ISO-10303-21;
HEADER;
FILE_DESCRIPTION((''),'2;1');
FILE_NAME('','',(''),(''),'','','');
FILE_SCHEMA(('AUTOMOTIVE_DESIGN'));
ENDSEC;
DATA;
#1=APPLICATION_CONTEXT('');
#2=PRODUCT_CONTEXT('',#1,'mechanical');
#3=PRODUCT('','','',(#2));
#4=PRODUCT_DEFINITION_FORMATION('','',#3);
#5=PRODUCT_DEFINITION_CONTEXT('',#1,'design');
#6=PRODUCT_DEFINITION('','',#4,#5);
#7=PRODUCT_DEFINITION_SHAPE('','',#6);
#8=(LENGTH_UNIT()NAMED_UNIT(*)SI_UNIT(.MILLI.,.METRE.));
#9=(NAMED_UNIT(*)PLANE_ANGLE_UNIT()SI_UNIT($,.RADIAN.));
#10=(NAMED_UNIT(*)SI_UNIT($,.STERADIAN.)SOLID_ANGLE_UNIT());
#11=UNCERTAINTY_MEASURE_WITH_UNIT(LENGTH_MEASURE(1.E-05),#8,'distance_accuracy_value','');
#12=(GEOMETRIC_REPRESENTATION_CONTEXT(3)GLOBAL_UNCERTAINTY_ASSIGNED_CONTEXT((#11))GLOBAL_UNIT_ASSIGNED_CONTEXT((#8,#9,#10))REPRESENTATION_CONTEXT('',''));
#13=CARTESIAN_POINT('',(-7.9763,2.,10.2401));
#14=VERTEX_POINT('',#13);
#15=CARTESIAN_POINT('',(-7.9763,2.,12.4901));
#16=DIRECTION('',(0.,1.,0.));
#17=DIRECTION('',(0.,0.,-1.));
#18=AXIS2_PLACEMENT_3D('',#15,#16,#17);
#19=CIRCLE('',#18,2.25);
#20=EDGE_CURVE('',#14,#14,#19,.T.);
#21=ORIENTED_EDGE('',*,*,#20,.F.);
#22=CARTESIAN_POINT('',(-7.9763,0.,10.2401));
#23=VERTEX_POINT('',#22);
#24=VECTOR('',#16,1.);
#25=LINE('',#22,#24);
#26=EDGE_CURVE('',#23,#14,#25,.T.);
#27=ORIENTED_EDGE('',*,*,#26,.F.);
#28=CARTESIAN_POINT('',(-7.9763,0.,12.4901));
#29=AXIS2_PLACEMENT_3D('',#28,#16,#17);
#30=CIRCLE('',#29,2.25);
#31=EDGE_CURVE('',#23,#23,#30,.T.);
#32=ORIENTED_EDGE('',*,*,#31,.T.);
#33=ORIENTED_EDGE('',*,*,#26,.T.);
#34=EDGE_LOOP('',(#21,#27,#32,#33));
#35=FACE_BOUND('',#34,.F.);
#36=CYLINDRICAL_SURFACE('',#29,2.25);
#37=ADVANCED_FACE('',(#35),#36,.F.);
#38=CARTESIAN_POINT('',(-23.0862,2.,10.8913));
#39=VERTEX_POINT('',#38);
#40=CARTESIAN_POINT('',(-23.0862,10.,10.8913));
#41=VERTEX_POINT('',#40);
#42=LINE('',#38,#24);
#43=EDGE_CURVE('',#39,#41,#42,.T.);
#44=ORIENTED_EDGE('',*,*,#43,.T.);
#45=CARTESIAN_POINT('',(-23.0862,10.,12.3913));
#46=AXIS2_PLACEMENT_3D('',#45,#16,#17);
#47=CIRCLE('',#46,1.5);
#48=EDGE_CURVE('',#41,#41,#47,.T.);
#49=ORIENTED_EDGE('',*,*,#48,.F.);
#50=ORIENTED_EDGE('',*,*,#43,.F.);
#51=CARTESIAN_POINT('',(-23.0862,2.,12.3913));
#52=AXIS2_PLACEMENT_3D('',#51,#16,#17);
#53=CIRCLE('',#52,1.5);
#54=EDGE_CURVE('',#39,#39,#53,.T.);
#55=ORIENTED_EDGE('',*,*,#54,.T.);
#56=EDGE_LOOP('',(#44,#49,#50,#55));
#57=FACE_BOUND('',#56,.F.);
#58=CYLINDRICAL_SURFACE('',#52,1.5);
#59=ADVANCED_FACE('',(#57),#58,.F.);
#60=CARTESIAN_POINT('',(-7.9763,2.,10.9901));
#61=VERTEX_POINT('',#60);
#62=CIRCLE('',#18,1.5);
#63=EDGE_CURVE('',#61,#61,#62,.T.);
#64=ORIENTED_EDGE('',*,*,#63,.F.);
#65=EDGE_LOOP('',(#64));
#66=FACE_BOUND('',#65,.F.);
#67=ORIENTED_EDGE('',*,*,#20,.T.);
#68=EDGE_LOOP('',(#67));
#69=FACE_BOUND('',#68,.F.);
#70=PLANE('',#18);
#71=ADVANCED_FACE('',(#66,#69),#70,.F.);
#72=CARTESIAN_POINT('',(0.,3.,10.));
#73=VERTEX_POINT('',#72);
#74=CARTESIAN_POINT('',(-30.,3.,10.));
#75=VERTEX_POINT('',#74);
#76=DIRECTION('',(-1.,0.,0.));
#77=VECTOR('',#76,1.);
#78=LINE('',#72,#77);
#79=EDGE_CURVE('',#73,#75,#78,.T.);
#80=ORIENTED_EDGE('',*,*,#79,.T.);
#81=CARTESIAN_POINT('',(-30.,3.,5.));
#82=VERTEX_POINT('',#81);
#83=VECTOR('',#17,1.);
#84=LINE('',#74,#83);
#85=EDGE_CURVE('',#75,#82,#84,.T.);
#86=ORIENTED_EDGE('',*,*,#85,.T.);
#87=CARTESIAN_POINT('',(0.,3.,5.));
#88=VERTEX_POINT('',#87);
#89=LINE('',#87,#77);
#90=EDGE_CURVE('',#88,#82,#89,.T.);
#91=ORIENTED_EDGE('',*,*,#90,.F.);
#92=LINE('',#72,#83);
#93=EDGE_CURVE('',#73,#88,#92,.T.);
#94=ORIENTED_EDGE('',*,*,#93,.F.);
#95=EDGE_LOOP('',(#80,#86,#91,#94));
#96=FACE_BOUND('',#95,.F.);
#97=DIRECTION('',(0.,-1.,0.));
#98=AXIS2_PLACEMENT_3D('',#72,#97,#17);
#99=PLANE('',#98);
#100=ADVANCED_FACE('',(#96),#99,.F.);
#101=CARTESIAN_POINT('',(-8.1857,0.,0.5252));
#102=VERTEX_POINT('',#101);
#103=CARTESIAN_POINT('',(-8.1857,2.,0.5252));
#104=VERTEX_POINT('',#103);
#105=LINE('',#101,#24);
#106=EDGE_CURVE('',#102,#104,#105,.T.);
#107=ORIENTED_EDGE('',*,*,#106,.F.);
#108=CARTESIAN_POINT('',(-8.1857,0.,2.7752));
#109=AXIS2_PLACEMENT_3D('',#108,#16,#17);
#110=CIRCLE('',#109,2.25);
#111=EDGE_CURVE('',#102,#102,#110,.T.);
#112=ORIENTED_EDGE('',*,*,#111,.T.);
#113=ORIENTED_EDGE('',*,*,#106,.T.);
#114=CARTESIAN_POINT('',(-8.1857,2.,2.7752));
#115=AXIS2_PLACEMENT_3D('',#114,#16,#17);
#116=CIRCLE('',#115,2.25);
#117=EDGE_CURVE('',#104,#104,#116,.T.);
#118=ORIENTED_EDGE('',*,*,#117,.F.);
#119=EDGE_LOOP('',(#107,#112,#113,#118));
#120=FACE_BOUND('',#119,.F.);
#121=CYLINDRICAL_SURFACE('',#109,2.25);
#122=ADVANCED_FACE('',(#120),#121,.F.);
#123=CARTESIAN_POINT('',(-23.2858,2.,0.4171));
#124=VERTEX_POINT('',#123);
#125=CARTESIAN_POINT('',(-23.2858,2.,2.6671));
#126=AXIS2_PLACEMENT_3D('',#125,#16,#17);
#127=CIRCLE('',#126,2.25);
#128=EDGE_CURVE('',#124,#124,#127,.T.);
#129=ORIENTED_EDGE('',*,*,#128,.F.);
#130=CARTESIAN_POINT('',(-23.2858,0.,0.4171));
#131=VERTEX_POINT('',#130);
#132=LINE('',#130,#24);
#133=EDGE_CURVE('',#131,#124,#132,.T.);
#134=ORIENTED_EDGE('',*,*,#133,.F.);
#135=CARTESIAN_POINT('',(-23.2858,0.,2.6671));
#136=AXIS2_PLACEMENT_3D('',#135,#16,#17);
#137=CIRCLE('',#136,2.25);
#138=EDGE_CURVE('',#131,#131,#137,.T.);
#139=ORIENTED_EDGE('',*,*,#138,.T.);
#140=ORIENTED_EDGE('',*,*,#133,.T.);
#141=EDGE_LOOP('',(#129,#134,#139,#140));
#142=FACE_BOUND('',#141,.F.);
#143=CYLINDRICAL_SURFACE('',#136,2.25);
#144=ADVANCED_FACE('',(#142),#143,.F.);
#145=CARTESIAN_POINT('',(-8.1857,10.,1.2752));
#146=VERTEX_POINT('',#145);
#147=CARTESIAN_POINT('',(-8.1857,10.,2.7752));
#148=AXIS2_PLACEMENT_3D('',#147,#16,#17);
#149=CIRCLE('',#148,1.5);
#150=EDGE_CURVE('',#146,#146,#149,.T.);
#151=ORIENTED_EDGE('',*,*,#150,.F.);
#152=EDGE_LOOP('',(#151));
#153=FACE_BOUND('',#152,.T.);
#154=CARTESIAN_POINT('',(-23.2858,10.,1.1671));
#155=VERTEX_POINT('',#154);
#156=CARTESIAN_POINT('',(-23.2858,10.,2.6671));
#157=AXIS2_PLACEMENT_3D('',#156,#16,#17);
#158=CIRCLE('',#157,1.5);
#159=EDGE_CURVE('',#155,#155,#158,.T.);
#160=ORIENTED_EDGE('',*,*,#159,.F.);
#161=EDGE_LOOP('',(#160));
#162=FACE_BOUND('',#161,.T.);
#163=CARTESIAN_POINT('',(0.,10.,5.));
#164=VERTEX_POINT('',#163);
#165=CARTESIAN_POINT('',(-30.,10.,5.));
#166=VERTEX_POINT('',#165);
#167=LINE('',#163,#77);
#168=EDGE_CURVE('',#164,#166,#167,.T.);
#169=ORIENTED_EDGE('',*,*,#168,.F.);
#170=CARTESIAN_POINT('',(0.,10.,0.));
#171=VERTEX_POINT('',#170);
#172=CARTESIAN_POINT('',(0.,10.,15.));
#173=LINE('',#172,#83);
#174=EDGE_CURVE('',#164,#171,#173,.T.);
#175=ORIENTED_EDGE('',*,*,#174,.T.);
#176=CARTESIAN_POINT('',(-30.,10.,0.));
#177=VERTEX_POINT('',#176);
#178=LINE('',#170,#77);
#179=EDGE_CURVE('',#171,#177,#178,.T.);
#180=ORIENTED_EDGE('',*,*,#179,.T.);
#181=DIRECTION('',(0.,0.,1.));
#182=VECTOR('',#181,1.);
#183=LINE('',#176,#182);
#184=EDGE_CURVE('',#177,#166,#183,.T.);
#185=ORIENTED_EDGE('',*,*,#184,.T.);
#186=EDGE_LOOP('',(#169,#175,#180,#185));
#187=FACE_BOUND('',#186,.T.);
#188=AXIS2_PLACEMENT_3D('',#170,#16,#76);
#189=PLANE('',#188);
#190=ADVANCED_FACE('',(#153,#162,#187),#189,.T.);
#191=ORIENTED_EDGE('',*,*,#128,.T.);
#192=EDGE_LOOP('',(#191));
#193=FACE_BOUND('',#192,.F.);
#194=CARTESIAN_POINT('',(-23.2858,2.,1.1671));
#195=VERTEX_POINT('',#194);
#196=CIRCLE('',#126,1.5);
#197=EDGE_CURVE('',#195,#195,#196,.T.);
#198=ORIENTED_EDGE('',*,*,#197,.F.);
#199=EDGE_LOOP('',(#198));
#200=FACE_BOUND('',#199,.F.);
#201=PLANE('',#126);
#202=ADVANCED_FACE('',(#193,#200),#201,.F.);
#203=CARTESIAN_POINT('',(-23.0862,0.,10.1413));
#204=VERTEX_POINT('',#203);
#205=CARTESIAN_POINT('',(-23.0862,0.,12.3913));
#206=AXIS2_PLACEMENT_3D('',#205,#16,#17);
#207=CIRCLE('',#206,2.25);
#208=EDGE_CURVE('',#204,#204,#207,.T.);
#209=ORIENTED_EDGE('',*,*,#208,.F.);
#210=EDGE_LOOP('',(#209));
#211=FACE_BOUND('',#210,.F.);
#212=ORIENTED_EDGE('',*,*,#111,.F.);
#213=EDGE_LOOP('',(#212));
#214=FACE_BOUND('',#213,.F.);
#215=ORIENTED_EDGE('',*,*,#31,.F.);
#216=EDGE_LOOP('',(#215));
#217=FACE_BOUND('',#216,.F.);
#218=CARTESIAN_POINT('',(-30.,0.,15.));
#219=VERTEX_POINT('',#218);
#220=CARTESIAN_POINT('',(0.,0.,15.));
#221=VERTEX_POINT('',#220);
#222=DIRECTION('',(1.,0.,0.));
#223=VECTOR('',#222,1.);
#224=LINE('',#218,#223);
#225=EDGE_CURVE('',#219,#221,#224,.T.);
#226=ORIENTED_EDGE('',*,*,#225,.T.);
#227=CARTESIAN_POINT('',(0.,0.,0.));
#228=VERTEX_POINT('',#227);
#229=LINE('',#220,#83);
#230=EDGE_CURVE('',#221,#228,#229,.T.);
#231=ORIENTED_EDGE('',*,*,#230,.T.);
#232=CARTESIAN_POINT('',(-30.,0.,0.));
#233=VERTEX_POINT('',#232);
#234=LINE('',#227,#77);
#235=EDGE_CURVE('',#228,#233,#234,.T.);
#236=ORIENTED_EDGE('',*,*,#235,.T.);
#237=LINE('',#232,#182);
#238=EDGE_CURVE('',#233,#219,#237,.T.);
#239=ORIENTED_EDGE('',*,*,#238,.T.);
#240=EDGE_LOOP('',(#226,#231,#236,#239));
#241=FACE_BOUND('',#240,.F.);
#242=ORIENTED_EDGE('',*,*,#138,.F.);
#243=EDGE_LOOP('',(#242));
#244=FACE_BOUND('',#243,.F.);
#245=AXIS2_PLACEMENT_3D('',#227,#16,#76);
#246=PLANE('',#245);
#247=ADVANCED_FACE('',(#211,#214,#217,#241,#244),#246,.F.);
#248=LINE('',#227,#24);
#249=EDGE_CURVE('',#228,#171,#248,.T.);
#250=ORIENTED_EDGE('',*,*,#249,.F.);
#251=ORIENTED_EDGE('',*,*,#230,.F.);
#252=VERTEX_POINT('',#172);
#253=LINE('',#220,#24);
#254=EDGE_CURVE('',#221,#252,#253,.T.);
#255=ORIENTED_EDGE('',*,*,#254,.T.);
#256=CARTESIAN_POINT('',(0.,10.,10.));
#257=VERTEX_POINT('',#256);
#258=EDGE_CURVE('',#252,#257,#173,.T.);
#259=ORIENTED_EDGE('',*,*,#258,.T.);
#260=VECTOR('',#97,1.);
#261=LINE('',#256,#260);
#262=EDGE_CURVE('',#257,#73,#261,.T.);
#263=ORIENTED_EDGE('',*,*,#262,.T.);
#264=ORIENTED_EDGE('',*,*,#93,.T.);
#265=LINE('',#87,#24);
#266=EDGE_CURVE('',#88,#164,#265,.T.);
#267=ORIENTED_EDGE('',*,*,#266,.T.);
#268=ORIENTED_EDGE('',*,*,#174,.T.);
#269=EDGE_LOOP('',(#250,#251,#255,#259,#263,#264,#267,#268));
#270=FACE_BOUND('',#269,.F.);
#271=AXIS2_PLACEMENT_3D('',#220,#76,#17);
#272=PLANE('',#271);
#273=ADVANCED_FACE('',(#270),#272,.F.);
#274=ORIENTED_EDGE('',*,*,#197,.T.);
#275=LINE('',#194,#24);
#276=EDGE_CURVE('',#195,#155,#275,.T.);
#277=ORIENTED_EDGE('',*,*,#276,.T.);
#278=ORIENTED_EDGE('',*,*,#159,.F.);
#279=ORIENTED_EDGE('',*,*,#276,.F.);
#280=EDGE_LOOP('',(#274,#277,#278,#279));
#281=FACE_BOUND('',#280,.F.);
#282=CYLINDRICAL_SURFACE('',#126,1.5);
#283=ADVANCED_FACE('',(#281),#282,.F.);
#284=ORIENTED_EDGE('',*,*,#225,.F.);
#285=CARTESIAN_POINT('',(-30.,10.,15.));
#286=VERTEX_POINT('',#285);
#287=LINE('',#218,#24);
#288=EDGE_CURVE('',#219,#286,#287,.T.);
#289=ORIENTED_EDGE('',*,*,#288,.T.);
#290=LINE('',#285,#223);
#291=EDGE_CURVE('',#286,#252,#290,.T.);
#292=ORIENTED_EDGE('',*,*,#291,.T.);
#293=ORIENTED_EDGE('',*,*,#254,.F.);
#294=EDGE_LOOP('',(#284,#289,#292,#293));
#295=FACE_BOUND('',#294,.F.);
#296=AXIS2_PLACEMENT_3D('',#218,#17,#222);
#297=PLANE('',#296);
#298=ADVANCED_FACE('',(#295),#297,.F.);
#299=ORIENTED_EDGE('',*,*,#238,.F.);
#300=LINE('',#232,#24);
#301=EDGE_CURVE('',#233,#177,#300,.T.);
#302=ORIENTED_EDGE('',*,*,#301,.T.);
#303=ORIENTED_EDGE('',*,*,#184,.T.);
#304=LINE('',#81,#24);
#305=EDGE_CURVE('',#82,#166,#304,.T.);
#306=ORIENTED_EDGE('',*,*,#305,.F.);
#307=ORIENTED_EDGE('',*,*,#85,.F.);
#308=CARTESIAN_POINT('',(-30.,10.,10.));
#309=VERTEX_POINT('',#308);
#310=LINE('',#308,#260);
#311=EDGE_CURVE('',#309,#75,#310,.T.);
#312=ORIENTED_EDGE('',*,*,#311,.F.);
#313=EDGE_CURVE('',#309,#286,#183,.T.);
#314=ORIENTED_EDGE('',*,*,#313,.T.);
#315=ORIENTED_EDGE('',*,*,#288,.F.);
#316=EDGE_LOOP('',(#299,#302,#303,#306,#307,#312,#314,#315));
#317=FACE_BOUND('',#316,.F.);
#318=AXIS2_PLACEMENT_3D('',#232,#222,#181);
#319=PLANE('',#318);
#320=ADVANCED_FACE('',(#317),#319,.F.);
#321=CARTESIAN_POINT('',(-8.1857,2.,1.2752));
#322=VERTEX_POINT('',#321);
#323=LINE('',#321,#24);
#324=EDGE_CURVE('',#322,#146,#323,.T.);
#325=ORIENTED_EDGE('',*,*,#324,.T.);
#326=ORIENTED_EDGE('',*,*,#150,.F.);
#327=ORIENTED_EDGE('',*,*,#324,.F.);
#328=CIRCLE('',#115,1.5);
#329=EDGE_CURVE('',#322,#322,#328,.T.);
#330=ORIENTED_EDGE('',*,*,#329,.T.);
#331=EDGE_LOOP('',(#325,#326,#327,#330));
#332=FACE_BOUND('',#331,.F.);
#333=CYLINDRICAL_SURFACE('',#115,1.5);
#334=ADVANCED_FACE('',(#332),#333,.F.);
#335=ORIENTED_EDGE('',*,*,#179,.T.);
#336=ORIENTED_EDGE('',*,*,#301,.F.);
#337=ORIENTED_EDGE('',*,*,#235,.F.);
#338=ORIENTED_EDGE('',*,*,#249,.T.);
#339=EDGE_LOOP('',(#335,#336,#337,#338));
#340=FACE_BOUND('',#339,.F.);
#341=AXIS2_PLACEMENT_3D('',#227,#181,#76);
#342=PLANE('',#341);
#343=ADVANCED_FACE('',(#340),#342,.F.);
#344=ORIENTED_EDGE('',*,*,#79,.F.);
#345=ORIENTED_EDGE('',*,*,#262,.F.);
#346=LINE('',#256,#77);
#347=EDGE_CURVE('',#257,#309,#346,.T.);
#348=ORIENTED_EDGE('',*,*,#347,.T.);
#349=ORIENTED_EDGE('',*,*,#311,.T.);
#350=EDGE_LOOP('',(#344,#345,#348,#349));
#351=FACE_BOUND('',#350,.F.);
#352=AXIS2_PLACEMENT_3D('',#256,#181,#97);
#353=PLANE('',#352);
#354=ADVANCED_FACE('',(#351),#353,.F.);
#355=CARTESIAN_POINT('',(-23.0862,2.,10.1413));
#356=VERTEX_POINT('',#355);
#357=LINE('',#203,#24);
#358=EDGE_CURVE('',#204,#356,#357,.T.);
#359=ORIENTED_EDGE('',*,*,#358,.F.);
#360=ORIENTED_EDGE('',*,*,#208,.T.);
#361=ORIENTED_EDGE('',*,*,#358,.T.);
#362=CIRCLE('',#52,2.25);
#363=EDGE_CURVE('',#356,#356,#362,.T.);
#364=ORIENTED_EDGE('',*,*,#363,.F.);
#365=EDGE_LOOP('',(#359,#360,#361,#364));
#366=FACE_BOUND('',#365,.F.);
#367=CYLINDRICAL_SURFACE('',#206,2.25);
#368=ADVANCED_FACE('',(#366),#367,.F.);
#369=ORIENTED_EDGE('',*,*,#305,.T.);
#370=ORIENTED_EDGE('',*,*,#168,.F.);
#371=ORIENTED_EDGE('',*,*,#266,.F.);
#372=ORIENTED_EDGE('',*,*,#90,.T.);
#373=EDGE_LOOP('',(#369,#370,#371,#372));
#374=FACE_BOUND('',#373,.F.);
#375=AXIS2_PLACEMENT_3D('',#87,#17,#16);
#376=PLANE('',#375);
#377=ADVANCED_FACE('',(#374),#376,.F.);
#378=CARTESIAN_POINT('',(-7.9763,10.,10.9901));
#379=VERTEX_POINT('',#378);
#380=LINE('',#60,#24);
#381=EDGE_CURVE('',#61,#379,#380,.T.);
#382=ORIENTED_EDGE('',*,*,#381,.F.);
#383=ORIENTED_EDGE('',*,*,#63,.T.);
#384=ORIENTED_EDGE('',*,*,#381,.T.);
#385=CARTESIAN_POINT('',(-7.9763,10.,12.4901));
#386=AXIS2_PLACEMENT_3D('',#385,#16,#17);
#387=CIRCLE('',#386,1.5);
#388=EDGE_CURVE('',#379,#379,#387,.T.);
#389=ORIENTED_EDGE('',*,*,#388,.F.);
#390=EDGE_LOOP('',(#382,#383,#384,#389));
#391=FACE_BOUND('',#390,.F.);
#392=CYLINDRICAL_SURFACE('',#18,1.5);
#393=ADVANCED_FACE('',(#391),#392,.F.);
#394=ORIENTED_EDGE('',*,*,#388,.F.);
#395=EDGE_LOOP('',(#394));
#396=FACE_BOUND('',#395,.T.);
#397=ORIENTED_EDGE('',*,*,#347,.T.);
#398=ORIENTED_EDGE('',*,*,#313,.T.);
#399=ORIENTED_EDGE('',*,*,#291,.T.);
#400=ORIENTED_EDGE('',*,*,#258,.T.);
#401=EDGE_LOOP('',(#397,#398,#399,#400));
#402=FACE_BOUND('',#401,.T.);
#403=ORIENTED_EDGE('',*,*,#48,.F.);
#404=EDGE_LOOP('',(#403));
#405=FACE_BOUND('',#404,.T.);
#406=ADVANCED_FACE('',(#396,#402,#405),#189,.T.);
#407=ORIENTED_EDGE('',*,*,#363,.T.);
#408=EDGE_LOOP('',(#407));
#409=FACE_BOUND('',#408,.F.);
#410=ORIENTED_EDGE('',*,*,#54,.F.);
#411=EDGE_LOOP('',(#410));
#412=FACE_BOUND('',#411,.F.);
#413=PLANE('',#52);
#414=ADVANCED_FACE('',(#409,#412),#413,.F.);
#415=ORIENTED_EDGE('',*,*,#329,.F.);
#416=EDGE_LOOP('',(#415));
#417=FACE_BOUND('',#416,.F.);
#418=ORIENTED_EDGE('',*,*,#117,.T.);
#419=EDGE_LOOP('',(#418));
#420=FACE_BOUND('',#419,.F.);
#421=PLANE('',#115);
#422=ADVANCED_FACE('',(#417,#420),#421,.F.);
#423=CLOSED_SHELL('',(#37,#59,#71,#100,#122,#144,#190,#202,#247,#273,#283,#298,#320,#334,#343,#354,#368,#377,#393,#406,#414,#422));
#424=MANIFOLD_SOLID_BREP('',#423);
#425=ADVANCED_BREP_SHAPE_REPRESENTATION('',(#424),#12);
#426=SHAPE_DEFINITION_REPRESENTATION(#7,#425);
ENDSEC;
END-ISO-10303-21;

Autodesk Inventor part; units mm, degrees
ref_plane "YZ Plane" through (0, 0, 0) normal (1, 0, 0) x (0, 1, 0)
ref_plane "XZ Plane" through (0, 0, 0) normal (0, 1, 0) x (-1, 0, 0)
ref_plane "XY Plane" through (0, 0, 0) normal (0, 0, 1) x (1, 0, 0)
sketch "スケッチ1" plane through (0, 0, 0) normal (0, 1, 0) x (-1, 0, 0)
  line L0 (0, 0) -> (30, 0)
  line L1 (30, 0) -> (30, 15)
  line L2 (30, 15) -> (0, 15)
  line L3 (0, 15) -> (0, 0)
  dimension "d0" = 30
  dimension "d1" = 15
extrude "押し出し1" add sketch "スケッチ1" along normal blind 10
sketch "スケッチ2" plane through (0, 0, 0) normal (1, 0, 0) x (0, 1, 0)
  line L0 (3, 5) -> (10, 5)
  line L1 (10, 5) -> (10, 10)
  line L2 (10, 10) -> (3, 10)
  line L3 (3, 10) -> (3, 5)
  point P0 (0, 0)
  dimension "d4" = 7
  dimension "d5" = 5
  dimension "d6" = 10
  dimension "d7" = 10
extrude "押し出し2" cut sketch "スケッチ2" against normal blind 30
hole "穴1" at (-23.0862, 0, 12.3913) direction (0, 1, 0) diameter 3 depth 10 tip angle 118 counterbore diameter 4.5 counterbore depth 2
hole "穴2" at (-7.9763, 0, 12.4901) direction (0, 1, 0) diameter 3 depth 10 tip angle 118 counterbore diameter 4.5 counterbore depth 2
hole "穴3" at (-23.2858, 0, 2.6671) direction (0, 1, 0) diameter 3 depth 10 tip angle 118 counterbore diameter 4.5 counterbore depth 2
hole "穴4" at (-8.1857, 0, 2.7752) direction (0, 1, 0) diameter 3 depth 10 tip angle 118 counterbore diameter 4.5 counterbore depth 2
properties part number "braket1"
